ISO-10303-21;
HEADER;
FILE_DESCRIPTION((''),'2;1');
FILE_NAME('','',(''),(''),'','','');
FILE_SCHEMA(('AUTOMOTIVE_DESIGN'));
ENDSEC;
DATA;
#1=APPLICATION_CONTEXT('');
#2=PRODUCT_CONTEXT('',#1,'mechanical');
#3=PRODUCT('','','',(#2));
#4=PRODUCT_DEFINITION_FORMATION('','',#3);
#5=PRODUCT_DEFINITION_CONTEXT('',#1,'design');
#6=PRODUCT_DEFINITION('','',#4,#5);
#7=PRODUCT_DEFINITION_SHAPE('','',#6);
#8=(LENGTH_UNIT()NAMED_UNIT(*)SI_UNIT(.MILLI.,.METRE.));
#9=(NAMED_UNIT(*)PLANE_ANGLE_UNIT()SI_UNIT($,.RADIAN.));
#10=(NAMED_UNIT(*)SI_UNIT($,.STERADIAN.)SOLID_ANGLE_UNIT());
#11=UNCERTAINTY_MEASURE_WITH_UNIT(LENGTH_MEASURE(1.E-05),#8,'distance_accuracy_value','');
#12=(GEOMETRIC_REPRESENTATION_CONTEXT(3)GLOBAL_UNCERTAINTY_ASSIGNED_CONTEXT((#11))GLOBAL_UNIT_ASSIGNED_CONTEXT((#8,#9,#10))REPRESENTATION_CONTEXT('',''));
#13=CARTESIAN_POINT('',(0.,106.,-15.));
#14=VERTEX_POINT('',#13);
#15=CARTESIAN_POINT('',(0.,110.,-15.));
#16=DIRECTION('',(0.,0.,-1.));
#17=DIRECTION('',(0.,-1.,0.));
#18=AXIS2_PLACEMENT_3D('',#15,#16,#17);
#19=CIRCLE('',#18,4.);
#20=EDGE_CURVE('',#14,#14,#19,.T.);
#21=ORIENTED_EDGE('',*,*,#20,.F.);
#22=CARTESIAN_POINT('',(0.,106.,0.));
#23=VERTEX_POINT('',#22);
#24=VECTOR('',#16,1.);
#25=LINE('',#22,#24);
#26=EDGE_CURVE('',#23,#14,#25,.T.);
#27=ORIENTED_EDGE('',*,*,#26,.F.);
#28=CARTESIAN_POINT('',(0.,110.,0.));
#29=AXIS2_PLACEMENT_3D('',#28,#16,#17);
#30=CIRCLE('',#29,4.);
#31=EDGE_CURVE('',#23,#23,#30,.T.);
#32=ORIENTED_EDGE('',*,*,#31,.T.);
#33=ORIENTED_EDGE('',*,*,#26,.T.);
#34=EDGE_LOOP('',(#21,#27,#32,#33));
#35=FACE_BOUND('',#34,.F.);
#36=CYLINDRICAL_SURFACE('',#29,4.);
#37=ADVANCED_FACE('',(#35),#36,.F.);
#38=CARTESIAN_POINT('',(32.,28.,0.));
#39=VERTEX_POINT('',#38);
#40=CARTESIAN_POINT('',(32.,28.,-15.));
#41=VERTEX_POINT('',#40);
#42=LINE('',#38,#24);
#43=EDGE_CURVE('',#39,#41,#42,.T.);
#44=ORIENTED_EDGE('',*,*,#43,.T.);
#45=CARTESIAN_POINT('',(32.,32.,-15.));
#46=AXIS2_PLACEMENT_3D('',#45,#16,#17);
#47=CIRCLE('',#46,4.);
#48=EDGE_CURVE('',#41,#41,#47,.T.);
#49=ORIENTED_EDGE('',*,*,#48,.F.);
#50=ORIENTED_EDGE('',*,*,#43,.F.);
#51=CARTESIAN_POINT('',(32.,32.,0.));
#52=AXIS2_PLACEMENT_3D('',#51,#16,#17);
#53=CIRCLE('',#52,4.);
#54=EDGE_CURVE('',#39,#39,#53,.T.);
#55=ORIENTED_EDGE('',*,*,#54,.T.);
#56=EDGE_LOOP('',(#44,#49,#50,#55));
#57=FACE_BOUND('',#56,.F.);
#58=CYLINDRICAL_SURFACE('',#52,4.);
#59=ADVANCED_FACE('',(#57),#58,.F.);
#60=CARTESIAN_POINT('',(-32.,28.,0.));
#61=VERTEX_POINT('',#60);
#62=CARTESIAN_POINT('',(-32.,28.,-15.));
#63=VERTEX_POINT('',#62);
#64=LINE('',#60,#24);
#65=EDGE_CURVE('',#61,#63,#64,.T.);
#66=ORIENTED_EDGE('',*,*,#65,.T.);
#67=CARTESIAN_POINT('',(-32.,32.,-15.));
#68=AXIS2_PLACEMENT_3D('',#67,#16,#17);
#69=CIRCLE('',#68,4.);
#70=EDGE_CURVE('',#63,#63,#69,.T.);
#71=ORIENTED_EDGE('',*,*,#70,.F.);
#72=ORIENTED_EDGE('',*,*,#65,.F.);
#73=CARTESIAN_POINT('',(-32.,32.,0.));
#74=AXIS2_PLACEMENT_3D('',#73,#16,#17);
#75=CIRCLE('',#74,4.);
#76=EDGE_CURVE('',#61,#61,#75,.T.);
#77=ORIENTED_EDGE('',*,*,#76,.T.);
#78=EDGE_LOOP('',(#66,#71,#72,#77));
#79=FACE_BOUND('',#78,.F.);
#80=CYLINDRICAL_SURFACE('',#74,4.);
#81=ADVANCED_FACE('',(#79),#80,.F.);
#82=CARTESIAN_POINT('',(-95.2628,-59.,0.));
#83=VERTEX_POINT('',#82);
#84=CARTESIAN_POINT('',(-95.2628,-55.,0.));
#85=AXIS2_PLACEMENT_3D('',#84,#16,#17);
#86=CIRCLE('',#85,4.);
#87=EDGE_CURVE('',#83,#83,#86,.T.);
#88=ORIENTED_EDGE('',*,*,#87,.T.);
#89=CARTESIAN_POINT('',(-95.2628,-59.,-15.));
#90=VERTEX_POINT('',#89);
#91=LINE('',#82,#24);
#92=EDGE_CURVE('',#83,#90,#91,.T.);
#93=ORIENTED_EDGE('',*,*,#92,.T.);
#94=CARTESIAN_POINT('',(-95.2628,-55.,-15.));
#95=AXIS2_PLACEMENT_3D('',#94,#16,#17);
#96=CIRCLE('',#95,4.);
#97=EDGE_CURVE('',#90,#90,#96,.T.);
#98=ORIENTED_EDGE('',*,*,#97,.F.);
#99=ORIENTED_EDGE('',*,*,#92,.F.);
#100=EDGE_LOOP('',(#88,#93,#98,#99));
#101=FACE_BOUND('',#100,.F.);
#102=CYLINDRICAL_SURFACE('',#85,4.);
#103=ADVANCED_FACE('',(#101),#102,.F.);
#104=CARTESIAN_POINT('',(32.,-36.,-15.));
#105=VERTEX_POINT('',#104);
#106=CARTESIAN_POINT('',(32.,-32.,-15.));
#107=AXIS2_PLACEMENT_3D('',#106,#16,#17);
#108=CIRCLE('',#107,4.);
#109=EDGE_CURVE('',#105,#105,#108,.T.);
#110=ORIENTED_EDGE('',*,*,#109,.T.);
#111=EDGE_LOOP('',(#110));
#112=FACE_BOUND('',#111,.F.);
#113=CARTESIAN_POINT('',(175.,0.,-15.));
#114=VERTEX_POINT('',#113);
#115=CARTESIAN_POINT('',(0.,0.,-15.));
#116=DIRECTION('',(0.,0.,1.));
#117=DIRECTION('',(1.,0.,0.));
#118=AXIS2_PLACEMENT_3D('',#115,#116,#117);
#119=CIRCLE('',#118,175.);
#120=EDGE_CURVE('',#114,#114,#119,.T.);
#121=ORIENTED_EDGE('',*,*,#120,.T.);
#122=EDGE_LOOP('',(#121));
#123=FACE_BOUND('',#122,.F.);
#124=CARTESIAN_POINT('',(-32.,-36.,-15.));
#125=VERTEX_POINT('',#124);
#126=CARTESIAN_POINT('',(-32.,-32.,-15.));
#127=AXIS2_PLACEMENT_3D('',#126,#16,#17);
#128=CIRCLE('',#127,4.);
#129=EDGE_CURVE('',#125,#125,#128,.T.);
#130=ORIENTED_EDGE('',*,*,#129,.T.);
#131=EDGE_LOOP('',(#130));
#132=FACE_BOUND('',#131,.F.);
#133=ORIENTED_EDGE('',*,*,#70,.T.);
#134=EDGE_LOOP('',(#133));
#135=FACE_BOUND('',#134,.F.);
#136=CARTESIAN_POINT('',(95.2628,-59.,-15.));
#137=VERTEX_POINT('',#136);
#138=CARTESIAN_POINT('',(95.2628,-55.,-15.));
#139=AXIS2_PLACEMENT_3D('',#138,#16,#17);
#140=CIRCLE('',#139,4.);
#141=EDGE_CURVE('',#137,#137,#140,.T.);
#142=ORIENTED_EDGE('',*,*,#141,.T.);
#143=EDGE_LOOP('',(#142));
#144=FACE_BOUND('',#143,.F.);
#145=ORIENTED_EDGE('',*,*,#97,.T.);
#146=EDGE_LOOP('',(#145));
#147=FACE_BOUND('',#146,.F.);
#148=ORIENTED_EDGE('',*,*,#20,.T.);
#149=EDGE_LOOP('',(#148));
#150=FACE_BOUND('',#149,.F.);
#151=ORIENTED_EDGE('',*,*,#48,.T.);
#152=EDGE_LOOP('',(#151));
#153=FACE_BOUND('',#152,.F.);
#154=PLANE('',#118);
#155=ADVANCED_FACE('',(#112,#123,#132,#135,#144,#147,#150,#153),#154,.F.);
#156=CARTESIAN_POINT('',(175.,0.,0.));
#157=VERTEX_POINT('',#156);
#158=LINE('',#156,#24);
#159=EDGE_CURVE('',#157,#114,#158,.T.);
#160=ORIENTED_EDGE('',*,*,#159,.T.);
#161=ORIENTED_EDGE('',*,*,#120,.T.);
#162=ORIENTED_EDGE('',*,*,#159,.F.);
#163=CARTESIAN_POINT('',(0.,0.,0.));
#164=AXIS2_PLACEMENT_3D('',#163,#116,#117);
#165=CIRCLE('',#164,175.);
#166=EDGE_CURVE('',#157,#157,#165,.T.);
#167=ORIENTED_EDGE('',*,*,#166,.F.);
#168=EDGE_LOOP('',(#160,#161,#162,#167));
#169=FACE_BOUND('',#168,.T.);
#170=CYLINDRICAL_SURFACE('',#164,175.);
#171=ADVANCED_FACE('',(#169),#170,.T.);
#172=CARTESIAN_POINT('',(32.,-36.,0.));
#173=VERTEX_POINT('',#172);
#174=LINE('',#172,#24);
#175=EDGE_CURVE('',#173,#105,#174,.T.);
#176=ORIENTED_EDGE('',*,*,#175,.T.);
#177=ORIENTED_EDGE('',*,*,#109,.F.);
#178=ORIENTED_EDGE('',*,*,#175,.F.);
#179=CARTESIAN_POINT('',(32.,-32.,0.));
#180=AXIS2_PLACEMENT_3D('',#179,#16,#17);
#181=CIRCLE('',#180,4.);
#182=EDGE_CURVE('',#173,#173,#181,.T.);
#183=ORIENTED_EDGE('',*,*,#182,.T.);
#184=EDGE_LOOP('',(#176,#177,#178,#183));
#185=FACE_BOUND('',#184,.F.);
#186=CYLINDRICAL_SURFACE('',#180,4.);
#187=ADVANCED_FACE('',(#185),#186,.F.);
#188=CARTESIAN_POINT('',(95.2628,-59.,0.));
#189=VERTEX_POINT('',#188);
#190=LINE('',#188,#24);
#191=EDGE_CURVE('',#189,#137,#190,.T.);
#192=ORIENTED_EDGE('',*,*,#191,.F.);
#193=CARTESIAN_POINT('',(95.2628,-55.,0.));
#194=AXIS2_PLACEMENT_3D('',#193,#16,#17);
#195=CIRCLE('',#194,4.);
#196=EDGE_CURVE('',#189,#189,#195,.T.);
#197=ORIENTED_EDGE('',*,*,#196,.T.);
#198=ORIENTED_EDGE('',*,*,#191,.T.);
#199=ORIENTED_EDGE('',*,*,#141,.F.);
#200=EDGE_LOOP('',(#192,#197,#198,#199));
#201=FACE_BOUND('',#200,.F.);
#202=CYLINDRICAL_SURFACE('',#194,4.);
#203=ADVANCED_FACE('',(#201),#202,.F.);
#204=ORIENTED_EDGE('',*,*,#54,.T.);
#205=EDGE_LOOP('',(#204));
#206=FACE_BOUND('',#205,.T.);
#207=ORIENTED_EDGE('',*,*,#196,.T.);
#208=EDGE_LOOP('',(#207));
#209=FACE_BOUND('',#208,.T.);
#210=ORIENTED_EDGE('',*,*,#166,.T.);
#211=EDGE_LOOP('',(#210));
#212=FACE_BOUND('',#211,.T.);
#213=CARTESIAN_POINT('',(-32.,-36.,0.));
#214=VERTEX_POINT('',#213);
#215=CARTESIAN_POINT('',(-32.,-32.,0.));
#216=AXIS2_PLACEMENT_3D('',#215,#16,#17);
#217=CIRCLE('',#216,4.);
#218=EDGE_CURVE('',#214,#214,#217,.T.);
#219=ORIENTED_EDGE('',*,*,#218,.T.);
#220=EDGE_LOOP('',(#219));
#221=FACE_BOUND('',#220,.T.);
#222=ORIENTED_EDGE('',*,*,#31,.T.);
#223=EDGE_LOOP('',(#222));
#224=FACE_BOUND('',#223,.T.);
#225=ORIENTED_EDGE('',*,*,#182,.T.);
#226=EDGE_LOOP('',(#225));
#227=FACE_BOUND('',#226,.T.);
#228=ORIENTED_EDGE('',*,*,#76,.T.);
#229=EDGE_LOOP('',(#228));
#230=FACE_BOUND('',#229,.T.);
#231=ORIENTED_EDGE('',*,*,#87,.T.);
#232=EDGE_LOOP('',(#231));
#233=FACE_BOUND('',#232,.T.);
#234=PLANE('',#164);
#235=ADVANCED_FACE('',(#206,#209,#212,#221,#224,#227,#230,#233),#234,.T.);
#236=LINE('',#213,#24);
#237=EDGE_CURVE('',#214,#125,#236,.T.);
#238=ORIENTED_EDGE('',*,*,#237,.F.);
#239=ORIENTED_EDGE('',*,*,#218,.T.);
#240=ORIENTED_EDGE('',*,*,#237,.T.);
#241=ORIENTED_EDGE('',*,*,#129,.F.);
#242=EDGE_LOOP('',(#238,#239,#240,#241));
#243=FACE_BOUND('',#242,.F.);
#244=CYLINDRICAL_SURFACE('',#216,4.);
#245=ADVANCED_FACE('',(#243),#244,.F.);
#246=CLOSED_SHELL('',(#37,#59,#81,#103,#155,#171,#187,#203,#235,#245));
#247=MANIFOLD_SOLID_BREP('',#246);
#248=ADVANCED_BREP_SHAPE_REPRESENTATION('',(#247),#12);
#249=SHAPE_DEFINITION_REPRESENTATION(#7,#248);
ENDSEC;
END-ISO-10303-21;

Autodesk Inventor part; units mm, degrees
ref_plane "YZ Plane" through (0, 0, 0) normal (1, 0, 0) x (0, 1, 0)
ref_plane "XZ Plane" through (0, 0, 0) normal (0, 1, 0) x (-1, 0, 0)
ref_plane "XY Plane" through (0, 0, 0) normal (0, 0, 1) x (1, 0, 0)
sketch "Skizze1" plane through (0, 0, 0) normal (0, 0, 1) x (1, 0, 0)
  circle A0 centre (0, 0) radius 175
  dimension "d0" = 350
extrude "Extrusion1" add sketch "Skizze1" against normal blind 15
sketch "Skizze2" plane through (0, 0, 0) normal (0, 0, 1) x (1, 0, 0)
  line L0 (-32, 32) -> (32, 32)
  line L1 (32, 32) -> (32, -32)
  line L2 (32, -32) -> (-32, -32)
  line L3 (-32, -32) -> (-32, 32)
  line L4 (-32, 32) -> (32, -32) construction
  line L5 (32, 32) -> (-32, -32) construction
  circle A0 centre (0, 0) radius 110
  line L6 (0, -245) -> (0, 245) projected
  point P0 (0, 110)
  point P1 (-95.2628, -55)
  point P2 (95.2628, -55)
  dimension "d3" = 64
  dimension "d4" = 64
  dimension "d5" = 220
hole "Bohrung1" at (32, 32, 0) at (-32, 32, 0) at (-32, -32, 0) at (32, -32, 0) at (0, 110, 0) at (-95.2628, -55, 0) at (95.2628, -55, 0) direction (0, 0, -1) diameter 8 end through all
properties part number "Verbindungsplatte_Staender"
